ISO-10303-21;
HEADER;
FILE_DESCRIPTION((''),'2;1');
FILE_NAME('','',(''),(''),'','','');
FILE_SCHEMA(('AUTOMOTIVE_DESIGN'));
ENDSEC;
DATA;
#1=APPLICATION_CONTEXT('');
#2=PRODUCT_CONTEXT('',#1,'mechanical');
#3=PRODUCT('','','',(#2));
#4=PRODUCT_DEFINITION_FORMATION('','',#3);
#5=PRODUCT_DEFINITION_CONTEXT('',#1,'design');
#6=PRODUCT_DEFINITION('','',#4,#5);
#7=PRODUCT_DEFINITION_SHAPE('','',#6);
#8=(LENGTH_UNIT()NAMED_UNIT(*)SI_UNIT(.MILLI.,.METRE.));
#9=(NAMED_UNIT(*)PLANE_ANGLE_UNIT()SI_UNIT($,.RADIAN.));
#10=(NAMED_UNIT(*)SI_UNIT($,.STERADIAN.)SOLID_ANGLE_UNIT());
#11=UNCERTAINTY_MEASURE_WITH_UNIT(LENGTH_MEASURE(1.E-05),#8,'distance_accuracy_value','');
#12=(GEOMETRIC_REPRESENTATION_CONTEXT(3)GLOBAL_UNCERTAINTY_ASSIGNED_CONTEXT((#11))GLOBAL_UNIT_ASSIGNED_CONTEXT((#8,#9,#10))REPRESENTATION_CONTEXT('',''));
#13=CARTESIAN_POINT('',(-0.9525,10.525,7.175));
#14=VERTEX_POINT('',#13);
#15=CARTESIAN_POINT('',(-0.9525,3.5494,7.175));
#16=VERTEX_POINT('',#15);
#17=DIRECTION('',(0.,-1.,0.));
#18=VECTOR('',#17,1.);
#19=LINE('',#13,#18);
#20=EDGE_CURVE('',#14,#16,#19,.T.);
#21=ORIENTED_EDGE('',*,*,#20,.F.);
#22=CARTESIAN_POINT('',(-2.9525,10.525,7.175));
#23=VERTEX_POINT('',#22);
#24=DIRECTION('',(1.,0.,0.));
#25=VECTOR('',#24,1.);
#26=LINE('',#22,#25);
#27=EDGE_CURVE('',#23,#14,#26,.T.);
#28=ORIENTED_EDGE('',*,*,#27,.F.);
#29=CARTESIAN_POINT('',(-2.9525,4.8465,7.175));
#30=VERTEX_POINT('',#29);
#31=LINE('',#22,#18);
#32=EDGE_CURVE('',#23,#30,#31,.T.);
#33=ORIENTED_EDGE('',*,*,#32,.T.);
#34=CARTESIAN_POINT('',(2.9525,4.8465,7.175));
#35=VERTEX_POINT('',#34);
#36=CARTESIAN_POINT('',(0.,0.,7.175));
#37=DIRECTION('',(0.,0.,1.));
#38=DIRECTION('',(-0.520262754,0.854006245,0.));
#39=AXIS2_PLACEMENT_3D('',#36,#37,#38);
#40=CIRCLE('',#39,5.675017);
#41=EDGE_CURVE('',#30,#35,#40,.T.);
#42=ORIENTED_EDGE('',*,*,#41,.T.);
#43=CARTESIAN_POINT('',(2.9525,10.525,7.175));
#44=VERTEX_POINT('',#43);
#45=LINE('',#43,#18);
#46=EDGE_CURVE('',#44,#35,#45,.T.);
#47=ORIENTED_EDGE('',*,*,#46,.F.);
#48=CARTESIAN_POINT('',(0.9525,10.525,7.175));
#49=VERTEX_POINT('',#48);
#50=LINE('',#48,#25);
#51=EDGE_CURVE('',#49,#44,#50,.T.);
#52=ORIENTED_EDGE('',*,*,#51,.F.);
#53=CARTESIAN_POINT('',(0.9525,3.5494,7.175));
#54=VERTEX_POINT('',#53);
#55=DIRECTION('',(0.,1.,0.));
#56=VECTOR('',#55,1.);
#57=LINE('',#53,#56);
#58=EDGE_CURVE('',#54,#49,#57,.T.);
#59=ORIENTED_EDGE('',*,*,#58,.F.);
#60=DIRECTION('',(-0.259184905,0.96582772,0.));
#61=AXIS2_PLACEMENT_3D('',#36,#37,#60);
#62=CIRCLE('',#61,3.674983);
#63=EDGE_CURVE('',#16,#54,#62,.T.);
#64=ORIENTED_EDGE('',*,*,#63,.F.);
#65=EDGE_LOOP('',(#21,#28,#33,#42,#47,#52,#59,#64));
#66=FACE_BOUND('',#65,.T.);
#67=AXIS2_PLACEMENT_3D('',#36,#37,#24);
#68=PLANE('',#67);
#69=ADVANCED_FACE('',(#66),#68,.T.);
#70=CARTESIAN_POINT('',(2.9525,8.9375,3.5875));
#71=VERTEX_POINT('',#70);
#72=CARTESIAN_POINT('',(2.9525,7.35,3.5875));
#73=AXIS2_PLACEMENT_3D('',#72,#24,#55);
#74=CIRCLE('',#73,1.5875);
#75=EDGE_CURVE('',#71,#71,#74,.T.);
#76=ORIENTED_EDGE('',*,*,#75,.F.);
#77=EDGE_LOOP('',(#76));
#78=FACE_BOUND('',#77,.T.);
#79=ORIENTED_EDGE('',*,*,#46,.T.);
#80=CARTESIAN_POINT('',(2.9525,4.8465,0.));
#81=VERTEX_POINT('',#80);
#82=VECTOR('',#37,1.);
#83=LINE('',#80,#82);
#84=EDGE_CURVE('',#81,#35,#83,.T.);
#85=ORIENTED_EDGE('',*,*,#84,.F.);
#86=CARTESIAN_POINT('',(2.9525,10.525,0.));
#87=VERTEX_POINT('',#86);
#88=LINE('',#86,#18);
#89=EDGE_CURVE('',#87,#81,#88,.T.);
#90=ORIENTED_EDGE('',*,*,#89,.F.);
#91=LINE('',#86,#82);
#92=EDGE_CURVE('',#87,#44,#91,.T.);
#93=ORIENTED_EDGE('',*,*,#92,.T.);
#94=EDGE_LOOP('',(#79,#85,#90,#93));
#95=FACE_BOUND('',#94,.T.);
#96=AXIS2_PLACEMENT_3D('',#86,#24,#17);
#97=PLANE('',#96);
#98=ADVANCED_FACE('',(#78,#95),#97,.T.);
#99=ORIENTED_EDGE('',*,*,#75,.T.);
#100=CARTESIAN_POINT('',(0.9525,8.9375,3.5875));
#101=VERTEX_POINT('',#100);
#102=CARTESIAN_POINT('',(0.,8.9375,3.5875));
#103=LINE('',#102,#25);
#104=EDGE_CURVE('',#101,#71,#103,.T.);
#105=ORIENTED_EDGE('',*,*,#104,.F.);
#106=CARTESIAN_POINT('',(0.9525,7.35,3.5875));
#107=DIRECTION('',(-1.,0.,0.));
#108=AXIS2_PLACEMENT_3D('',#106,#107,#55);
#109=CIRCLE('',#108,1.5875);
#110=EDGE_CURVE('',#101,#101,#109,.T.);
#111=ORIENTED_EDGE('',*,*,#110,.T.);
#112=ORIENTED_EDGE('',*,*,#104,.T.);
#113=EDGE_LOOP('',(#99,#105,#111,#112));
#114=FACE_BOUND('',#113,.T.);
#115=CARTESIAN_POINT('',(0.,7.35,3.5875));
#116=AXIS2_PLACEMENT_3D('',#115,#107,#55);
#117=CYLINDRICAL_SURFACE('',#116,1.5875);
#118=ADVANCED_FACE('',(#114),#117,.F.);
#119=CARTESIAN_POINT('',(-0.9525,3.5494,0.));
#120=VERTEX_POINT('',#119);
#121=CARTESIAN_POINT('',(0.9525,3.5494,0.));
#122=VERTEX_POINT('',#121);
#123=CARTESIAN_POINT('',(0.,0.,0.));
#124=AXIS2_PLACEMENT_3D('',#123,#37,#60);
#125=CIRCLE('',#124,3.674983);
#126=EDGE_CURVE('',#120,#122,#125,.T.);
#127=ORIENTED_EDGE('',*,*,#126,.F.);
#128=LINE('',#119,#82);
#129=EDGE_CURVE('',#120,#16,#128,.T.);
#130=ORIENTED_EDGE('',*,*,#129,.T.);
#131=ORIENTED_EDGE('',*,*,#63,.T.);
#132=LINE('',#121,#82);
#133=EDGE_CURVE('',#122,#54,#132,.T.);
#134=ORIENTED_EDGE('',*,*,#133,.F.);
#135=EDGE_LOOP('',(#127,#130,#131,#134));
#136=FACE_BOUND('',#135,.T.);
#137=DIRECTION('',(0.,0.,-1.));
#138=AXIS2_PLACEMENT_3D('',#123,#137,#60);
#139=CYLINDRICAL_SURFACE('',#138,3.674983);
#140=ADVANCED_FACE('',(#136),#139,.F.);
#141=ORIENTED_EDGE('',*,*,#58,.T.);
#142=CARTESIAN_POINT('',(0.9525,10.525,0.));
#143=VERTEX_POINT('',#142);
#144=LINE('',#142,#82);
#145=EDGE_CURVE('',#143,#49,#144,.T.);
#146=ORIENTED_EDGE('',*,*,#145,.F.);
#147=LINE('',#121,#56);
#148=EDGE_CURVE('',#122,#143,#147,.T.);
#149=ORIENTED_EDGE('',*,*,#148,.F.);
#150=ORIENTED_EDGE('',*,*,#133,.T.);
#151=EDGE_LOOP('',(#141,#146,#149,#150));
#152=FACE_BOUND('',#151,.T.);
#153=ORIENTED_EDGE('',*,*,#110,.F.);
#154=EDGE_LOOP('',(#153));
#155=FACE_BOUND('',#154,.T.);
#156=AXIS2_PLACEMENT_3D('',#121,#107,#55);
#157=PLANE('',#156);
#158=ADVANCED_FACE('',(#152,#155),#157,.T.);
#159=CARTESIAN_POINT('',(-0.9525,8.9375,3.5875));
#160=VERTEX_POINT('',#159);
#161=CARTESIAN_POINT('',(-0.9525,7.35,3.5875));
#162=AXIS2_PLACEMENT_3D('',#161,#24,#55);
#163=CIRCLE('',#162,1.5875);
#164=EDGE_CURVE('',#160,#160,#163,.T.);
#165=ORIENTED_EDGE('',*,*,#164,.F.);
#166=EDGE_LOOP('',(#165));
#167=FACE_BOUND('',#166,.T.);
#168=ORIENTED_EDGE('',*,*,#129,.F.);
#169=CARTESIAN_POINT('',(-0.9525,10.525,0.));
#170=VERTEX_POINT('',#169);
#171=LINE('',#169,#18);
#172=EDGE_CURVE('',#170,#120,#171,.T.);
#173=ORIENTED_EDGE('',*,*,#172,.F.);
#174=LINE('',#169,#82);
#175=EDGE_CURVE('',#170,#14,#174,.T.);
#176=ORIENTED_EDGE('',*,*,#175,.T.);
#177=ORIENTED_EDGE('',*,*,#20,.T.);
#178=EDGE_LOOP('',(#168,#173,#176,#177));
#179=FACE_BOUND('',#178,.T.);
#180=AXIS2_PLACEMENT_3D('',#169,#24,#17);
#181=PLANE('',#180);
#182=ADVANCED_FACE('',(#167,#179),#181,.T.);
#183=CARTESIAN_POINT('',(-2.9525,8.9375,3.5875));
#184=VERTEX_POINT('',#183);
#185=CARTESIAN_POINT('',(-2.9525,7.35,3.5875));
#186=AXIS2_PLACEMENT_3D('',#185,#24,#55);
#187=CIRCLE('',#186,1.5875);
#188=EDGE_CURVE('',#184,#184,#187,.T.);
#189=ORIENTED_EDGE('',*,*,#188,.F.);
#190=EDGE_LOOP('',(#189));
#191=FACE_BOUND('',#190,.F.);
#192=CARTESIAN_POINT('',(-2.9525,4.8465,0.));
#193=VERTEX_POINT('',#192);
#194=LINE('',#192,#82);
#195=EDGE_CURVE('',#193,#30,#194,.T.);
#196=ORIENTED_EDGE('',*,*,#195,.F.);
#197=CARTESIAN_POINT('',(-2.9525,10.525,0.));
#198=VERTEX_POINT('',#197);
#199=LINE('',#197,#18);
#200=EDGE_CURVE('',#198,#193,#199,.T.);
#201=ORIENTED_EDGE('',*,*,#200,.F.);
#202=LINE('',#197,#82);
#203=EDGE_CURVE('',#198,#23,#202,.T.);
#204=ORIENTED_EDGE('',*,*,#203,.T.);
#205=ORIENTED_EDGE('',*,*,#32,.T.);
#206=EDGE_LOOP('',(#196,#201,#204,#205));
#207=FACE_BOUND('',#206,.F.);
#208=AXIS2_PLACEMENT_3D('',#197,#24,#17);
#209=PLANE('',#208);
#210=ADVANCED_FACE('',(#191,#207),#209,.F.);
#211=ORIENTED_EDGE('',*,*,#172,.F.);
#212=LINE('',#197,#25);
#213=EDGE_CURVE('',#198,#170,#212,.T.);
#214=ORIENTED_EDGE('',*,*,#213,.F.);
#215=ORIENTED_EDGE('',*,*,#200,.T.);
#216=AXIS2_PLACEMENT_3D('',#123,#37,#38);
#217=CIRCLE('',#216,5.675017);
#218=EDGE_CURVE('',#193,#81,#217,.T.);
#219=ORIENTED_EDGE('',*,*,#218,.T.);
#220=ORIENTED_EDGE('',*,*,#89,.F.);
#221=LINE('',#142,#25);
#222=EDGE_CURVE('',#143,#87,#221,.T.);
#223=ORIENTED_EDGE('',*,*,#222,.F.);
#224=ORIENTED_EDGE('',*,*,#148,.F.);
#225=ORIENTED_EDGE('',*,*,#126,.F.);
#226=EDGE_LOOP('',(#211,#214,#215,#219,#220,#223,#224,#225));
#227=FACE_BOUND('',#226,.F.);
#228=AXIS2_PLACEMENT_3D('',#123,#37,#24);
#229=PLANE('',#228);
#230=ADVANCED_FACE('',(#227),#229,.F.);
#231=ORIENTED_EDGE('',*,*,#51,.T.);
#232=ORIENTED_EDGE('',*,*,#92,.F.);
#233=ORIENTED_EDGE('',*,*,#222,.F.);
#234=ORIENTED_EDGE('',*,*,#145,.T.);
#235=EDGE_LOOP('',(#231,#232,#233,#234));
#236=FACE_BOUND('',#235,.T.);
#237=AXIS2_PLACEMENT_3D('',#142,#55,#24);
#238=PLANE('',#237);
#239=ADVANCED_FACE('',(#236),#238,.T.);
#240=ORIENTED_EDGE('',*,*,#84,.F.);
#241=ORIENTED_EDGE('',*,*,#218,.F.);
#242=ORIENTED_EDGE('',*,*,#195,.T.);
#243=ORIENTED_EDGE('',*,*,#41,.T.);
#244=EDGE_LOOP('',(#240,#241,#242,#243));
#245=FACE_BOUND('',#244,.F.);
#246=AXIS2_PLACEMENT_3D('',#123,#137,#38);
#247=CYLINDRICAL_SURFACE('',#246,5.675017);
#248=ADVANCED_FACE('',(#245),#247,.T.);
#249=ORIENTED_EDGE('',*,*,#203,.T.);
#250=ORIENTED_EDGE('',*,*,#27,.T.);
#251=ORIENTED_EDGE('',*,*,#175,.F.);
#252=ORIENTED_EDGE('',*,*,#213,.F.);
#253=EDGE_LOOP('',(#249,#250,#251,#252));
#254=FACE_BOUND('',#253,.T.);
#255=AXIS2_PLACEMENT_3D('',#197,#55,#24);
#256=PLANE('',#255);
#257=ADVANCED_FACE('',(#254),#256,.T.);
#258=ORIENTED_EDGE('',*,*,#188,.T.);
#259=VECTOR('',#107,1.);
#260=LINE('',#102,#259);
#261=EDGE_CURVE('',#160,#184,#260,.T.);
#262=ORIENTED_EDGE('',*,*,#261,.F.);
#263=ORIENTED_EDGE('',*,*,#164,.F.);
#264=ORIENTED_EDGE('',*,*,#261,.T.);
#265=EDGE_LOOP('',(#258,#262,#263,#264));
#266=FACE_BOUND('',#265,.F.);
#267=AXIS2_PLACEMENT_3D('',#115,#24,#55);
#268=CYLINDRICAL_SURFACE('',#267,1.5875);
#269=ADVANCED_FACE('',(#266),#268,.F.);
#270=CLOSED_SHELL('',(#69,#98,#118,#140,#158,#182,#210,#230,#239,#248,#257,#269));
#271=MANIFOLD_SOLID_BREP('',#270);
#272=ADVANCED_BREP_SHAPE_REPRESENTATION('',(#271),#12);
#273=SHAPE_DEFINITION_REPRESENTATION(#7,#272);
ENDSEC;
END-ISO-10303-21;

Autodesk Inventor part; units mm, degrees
ref_plane "YZ Plane" through (0, 0, 0) normal (1, 0, 0) x (0, 1, 0)
ref_plane "XZ Plane" through (0, 0, 0) normal (0, 1, 0) x (-1, 0, 0)
ref_plane "XY Plane" through (0, 0, 0) normal (0, 0, 1) x (1, 0, 0)
sketch "Sketch1" plane through (0, 0, 0) normal (0, 0, 1) x (1, 0, 0)
  arc A0 (-0.9525, 3.5494) -> (0.9525, 3.5494) centre (0, 0) ccw
  arc A1 (-2.9525, 4.8465) -> (2.9525, 4.8465) centre (0, 0) ccw
  line L0 (-0.9525, 10.525) -> (-0.9525, 3.5494)
  line L1 (0.9525, 3.5494) -> (0.9525, 10.525)
  line L2 (2.9525, 10.525) -> (2.9525, 4.8465)
  line L3 (-2.9525, 10.525) -> (-2.9525, 4.8465)
  line L4 (-2.9525, 10.525) -> (-0.9525, 10.525)
  line L5 (0.9525, 10.525) -> (2.9525, 10.525)
  dimension "d6" = 7.35
  dimension "d12" = 2
  dimension "d13" = 2
  dimension "d14" = 1.905
  dimension "d15" = 0.9525
  dimension "d17" = 10.525
  dimension "d18" = 10.525
  dimension "d32" = 2
extrude "Extrusion1" add sketch "Sketch1" along normal blind 7.175
sketch "Sketch3" plane through (0, 0, 0) normal (1, 0, 0) x (0, 1, 0)
  circle A0 centre (7.35, 3.5875) radius 1.5875
  line L0 (10.525, 0) -> (10.525, 7.175) projected
  point P0 (0, 0)
  dimension "d25" = 3.175
  dimension "d27" = 3.5875
  dimension "d28" = 7.35
  dimension "d29" = 7.175
extrude "Extrusion2" cut sketch "Sketch3" along normal mid plane 5.905
equation "\"d13\" = d12"
equation "\"d15\" = 0.5 * d14"
equation "\"d18\" = d17"
equation "\"d27\" = 0.5 * d29"
equation "\"d30\" = 2 * d12 + 2 * d15"
properties part number "Collar Piece Thingy"
